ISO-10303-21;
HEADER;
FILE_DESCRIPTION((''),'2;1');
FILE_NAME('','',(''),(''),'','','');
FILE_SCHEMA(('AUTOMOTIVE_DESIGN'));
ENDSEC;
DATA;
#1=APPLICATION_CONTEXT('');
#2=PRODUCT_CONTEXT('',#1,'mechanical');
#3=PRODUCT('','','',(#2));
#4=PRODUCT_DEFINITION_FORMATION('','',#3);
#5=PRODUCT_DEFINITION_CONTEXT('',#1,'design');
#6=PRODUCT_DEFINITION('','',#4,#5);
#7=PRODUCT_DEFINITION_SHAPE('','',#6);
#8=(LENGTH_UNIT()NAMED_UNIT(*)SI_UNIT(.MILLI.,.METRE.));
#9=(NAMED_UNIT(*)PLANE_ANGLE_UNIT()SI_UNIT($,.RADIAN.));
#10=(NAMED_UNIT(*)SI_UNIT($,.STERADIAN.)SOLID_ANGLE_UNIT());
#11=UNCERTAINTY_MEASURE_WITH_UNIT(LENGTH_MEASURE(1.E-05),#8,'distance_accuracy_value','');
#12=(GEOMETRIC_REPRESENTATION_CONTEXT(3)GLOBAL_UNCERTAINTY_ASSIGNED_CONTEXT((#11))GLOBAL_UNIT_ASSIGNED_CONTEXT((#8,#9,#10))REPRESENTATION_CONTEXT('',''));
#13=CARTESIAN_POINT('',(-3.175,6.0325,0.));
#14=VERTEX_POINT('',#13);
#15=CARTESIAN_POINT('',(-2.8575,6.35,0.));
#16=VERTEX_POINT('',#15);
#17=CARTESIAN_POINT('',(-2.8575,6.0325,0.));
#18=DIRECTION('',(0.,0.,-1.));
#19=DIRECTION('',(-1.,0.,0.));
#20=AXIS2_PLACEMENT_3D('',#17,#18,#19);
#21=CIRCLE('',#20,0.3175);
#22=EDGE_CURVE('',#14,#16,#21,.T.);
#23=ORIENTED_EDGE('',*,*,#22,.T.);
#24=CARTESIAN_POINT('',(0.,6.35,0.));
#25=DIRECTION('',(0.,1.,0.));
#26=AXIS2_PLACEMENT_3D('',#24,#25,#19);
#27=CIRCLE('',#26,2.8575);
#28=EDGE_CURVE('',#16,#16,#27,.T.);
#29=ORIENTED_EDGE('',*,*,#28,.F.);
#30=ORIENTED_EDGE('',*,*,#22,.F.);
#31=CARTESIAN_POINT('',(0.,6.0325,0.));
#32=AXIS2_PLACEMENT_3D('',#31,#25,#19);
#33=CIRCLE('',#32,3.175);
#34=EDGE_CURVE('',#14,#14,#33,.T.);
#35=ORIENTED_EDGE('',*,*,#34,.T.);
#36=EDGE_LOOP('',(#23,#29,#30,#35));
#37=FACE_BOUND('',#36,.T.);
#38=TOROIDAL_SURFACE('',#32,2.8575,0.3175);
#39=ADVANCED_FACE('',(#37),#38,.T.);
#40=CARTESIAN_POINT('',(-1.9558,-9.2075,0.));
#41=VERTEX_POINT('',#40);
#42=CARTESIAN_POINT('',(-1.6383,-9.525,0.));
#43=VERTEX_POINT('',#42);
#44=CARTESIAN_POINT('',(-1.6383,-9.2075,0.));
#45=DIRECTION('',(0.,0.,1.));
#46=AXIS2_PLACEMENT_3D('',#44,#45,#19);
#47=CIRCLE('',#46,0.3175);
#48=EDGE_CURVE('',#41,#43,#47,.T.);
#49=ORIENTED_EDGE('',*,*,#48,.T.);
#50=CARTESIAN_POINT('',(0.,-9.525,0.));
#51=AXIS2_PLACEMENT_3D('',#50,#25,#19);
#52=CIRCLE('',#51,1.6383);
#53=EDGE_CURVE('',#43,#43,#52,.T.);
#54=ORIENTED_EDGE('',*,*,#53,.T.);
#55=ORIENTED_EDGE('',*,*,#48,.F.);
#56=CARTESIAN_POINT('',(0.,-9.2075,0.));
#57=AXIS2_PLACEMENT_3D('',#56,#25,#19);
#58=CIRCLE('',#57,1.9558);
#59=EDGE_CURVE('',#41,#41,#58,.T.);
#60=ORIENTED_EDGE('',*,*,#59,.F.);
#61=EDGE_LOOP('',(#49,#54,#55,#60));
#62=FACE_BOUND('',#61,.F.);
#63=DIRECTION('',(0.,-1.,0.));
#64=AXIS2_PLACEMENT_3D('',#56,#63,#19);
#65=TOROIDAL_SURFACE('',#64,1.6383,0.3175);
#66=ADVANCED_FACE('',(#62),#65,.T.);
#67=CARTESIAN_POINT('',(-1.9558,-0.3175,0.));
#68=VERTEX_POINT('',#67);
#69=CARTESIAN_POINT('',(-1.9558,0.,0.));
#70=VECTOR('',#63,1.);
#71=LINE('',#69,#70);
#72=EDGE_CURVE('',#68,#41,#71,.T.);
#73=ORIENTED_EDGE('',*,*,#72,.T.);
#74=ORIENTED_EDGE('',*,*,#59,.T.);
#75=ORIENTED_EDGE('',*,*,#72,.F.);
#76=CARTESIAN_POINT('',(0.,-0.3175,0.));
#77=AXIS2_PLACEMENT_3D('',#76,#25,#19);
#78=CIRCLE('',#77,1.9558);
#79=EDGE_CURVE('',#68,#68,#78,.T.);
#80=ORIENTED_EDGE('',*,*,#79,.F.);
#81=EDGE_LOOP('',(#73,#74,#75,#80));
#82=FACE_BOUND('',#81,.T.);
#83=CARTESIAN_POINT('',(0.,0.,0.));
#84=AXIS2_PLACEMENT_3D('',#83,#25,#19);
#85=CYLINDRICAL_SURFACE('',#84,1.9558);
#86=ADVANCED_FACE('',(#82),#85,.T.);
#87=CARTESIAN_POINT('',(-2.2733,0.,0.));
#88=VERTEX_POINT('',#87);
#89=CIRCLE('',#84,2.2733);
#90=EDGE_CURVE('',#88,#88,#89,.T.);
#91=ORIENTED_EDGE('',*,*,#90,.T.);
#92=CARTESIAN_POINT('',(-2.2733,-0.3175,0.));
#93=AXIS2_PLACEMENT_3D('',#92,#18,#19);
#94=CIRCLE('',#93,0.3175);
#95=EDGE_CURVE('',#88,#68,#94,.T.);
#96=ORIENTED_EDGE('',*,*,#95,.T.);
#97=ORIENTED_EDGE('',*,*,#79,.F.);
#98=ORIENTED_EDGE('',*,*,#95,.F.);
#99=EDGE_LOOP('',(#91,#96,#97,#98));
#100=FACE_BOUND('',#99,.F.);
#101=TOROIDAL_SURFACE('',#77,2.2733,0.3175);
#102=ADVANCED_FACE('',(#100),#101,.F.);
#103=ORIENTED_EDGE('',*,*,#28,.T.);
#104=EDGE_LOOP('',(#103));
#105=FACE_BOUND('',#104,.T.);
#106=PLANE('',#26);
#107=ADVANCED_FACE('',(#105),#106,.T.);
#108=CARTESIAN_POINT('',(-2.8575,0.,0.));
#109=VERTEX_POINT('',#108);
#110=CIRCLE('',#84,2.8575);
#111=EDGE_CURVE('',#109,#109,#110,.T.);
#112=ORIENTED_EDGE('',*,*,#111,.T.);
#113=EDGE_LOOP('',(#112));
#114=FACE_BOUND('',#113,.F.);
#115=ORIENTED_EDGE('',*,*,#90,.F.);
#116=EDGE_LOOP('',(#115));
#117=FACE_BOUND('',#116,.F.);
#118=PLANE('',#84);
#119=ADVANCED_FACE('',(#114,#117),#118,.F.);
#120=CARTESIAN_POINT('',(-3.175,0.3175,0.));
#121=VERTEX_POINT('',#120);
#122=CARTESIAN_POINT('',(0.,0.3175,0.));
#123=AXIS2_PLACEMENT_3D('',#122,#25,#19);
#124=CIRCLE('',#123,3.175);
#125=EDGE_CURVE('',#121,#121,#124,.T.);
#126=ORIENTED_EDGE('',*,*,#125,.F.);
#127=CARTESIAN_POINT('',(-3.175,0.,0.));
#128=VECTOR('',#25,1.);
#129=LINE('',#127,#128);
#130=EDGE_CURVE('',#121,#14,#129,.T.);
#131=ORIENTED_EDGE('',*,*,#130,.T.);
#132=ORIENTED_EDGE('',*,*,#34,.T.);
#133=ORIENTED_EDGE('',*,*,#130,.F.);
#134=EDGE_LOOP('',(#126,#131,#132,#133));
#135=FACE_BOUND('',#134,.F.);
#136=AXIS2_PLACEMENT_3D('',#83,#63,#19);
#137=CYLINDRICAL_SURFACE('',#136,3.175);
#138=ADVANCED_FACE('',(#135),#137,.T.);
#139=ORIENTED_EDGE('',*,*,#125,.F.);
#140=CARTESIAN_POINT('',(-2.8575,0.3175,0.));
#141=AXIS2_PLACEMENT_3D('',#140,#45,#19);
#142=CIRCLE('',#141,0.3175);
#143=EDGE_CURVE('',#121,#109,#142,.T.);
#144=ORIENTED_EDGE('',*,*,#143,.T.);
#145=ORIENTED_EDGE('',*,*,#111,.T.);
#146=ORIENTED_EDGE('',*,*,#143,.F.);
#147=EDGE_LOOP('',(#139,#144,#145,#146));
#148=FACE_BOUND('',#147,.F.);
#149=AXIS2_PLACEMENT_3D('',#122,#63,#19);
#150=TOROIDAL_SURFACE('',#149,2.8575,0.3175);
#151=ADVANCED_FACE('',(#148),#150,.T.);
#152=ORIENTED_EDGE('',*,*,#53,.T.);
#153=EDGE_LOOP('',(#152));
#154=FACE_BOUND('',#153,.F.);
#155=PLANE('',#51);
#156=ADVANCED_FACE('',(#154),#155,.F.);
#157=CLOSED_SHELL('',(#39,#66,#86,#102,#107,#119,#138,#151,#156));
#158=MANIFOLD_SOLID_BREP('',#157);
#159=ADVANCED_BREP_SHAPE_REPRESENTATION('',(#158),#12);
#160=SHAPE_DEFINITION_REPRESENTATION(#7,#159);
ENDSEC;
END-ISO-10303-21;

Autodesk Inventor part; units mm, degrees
ref_plane "YZ Plane" through (0, 0, 0) normal (1, 0, 0) x (0, 1, 0)
ref_plane "XZ Plane" through (0, 0, 0) normal (0, 1, 0) x (-1, 0, 0)
ref_plane "XY Plane" through (0, 0, 0) normal (0, 0, 1) x (1, 0, 0)
sketch "Sketch1" plane through (0, 0, 0) normal (0, 1, 0) x (-1, 0, 0)
  circle A0 centre (0, 0) radius 3.175
  circle A1 centre (0, 0) radius 1.9558
  dimension "d0" = 6.35
  dimension "d1" = 3.9116
extrude "Extrusion1" add sketch "Sketch1" along normal blind 6.35 contours A0 | A1
extrude "Extrusion2" add sketch "Sketch1" against normal blind 9.525 contours A1
fillet "Fillet1" radius 0.3175 4 edges at (3.175, 6.35, 0) (1.9558, -9.525, 0) (3.175, 0, 0) (1.9558, 0, 0)
properties part number "locatingpin" material "Silver"
